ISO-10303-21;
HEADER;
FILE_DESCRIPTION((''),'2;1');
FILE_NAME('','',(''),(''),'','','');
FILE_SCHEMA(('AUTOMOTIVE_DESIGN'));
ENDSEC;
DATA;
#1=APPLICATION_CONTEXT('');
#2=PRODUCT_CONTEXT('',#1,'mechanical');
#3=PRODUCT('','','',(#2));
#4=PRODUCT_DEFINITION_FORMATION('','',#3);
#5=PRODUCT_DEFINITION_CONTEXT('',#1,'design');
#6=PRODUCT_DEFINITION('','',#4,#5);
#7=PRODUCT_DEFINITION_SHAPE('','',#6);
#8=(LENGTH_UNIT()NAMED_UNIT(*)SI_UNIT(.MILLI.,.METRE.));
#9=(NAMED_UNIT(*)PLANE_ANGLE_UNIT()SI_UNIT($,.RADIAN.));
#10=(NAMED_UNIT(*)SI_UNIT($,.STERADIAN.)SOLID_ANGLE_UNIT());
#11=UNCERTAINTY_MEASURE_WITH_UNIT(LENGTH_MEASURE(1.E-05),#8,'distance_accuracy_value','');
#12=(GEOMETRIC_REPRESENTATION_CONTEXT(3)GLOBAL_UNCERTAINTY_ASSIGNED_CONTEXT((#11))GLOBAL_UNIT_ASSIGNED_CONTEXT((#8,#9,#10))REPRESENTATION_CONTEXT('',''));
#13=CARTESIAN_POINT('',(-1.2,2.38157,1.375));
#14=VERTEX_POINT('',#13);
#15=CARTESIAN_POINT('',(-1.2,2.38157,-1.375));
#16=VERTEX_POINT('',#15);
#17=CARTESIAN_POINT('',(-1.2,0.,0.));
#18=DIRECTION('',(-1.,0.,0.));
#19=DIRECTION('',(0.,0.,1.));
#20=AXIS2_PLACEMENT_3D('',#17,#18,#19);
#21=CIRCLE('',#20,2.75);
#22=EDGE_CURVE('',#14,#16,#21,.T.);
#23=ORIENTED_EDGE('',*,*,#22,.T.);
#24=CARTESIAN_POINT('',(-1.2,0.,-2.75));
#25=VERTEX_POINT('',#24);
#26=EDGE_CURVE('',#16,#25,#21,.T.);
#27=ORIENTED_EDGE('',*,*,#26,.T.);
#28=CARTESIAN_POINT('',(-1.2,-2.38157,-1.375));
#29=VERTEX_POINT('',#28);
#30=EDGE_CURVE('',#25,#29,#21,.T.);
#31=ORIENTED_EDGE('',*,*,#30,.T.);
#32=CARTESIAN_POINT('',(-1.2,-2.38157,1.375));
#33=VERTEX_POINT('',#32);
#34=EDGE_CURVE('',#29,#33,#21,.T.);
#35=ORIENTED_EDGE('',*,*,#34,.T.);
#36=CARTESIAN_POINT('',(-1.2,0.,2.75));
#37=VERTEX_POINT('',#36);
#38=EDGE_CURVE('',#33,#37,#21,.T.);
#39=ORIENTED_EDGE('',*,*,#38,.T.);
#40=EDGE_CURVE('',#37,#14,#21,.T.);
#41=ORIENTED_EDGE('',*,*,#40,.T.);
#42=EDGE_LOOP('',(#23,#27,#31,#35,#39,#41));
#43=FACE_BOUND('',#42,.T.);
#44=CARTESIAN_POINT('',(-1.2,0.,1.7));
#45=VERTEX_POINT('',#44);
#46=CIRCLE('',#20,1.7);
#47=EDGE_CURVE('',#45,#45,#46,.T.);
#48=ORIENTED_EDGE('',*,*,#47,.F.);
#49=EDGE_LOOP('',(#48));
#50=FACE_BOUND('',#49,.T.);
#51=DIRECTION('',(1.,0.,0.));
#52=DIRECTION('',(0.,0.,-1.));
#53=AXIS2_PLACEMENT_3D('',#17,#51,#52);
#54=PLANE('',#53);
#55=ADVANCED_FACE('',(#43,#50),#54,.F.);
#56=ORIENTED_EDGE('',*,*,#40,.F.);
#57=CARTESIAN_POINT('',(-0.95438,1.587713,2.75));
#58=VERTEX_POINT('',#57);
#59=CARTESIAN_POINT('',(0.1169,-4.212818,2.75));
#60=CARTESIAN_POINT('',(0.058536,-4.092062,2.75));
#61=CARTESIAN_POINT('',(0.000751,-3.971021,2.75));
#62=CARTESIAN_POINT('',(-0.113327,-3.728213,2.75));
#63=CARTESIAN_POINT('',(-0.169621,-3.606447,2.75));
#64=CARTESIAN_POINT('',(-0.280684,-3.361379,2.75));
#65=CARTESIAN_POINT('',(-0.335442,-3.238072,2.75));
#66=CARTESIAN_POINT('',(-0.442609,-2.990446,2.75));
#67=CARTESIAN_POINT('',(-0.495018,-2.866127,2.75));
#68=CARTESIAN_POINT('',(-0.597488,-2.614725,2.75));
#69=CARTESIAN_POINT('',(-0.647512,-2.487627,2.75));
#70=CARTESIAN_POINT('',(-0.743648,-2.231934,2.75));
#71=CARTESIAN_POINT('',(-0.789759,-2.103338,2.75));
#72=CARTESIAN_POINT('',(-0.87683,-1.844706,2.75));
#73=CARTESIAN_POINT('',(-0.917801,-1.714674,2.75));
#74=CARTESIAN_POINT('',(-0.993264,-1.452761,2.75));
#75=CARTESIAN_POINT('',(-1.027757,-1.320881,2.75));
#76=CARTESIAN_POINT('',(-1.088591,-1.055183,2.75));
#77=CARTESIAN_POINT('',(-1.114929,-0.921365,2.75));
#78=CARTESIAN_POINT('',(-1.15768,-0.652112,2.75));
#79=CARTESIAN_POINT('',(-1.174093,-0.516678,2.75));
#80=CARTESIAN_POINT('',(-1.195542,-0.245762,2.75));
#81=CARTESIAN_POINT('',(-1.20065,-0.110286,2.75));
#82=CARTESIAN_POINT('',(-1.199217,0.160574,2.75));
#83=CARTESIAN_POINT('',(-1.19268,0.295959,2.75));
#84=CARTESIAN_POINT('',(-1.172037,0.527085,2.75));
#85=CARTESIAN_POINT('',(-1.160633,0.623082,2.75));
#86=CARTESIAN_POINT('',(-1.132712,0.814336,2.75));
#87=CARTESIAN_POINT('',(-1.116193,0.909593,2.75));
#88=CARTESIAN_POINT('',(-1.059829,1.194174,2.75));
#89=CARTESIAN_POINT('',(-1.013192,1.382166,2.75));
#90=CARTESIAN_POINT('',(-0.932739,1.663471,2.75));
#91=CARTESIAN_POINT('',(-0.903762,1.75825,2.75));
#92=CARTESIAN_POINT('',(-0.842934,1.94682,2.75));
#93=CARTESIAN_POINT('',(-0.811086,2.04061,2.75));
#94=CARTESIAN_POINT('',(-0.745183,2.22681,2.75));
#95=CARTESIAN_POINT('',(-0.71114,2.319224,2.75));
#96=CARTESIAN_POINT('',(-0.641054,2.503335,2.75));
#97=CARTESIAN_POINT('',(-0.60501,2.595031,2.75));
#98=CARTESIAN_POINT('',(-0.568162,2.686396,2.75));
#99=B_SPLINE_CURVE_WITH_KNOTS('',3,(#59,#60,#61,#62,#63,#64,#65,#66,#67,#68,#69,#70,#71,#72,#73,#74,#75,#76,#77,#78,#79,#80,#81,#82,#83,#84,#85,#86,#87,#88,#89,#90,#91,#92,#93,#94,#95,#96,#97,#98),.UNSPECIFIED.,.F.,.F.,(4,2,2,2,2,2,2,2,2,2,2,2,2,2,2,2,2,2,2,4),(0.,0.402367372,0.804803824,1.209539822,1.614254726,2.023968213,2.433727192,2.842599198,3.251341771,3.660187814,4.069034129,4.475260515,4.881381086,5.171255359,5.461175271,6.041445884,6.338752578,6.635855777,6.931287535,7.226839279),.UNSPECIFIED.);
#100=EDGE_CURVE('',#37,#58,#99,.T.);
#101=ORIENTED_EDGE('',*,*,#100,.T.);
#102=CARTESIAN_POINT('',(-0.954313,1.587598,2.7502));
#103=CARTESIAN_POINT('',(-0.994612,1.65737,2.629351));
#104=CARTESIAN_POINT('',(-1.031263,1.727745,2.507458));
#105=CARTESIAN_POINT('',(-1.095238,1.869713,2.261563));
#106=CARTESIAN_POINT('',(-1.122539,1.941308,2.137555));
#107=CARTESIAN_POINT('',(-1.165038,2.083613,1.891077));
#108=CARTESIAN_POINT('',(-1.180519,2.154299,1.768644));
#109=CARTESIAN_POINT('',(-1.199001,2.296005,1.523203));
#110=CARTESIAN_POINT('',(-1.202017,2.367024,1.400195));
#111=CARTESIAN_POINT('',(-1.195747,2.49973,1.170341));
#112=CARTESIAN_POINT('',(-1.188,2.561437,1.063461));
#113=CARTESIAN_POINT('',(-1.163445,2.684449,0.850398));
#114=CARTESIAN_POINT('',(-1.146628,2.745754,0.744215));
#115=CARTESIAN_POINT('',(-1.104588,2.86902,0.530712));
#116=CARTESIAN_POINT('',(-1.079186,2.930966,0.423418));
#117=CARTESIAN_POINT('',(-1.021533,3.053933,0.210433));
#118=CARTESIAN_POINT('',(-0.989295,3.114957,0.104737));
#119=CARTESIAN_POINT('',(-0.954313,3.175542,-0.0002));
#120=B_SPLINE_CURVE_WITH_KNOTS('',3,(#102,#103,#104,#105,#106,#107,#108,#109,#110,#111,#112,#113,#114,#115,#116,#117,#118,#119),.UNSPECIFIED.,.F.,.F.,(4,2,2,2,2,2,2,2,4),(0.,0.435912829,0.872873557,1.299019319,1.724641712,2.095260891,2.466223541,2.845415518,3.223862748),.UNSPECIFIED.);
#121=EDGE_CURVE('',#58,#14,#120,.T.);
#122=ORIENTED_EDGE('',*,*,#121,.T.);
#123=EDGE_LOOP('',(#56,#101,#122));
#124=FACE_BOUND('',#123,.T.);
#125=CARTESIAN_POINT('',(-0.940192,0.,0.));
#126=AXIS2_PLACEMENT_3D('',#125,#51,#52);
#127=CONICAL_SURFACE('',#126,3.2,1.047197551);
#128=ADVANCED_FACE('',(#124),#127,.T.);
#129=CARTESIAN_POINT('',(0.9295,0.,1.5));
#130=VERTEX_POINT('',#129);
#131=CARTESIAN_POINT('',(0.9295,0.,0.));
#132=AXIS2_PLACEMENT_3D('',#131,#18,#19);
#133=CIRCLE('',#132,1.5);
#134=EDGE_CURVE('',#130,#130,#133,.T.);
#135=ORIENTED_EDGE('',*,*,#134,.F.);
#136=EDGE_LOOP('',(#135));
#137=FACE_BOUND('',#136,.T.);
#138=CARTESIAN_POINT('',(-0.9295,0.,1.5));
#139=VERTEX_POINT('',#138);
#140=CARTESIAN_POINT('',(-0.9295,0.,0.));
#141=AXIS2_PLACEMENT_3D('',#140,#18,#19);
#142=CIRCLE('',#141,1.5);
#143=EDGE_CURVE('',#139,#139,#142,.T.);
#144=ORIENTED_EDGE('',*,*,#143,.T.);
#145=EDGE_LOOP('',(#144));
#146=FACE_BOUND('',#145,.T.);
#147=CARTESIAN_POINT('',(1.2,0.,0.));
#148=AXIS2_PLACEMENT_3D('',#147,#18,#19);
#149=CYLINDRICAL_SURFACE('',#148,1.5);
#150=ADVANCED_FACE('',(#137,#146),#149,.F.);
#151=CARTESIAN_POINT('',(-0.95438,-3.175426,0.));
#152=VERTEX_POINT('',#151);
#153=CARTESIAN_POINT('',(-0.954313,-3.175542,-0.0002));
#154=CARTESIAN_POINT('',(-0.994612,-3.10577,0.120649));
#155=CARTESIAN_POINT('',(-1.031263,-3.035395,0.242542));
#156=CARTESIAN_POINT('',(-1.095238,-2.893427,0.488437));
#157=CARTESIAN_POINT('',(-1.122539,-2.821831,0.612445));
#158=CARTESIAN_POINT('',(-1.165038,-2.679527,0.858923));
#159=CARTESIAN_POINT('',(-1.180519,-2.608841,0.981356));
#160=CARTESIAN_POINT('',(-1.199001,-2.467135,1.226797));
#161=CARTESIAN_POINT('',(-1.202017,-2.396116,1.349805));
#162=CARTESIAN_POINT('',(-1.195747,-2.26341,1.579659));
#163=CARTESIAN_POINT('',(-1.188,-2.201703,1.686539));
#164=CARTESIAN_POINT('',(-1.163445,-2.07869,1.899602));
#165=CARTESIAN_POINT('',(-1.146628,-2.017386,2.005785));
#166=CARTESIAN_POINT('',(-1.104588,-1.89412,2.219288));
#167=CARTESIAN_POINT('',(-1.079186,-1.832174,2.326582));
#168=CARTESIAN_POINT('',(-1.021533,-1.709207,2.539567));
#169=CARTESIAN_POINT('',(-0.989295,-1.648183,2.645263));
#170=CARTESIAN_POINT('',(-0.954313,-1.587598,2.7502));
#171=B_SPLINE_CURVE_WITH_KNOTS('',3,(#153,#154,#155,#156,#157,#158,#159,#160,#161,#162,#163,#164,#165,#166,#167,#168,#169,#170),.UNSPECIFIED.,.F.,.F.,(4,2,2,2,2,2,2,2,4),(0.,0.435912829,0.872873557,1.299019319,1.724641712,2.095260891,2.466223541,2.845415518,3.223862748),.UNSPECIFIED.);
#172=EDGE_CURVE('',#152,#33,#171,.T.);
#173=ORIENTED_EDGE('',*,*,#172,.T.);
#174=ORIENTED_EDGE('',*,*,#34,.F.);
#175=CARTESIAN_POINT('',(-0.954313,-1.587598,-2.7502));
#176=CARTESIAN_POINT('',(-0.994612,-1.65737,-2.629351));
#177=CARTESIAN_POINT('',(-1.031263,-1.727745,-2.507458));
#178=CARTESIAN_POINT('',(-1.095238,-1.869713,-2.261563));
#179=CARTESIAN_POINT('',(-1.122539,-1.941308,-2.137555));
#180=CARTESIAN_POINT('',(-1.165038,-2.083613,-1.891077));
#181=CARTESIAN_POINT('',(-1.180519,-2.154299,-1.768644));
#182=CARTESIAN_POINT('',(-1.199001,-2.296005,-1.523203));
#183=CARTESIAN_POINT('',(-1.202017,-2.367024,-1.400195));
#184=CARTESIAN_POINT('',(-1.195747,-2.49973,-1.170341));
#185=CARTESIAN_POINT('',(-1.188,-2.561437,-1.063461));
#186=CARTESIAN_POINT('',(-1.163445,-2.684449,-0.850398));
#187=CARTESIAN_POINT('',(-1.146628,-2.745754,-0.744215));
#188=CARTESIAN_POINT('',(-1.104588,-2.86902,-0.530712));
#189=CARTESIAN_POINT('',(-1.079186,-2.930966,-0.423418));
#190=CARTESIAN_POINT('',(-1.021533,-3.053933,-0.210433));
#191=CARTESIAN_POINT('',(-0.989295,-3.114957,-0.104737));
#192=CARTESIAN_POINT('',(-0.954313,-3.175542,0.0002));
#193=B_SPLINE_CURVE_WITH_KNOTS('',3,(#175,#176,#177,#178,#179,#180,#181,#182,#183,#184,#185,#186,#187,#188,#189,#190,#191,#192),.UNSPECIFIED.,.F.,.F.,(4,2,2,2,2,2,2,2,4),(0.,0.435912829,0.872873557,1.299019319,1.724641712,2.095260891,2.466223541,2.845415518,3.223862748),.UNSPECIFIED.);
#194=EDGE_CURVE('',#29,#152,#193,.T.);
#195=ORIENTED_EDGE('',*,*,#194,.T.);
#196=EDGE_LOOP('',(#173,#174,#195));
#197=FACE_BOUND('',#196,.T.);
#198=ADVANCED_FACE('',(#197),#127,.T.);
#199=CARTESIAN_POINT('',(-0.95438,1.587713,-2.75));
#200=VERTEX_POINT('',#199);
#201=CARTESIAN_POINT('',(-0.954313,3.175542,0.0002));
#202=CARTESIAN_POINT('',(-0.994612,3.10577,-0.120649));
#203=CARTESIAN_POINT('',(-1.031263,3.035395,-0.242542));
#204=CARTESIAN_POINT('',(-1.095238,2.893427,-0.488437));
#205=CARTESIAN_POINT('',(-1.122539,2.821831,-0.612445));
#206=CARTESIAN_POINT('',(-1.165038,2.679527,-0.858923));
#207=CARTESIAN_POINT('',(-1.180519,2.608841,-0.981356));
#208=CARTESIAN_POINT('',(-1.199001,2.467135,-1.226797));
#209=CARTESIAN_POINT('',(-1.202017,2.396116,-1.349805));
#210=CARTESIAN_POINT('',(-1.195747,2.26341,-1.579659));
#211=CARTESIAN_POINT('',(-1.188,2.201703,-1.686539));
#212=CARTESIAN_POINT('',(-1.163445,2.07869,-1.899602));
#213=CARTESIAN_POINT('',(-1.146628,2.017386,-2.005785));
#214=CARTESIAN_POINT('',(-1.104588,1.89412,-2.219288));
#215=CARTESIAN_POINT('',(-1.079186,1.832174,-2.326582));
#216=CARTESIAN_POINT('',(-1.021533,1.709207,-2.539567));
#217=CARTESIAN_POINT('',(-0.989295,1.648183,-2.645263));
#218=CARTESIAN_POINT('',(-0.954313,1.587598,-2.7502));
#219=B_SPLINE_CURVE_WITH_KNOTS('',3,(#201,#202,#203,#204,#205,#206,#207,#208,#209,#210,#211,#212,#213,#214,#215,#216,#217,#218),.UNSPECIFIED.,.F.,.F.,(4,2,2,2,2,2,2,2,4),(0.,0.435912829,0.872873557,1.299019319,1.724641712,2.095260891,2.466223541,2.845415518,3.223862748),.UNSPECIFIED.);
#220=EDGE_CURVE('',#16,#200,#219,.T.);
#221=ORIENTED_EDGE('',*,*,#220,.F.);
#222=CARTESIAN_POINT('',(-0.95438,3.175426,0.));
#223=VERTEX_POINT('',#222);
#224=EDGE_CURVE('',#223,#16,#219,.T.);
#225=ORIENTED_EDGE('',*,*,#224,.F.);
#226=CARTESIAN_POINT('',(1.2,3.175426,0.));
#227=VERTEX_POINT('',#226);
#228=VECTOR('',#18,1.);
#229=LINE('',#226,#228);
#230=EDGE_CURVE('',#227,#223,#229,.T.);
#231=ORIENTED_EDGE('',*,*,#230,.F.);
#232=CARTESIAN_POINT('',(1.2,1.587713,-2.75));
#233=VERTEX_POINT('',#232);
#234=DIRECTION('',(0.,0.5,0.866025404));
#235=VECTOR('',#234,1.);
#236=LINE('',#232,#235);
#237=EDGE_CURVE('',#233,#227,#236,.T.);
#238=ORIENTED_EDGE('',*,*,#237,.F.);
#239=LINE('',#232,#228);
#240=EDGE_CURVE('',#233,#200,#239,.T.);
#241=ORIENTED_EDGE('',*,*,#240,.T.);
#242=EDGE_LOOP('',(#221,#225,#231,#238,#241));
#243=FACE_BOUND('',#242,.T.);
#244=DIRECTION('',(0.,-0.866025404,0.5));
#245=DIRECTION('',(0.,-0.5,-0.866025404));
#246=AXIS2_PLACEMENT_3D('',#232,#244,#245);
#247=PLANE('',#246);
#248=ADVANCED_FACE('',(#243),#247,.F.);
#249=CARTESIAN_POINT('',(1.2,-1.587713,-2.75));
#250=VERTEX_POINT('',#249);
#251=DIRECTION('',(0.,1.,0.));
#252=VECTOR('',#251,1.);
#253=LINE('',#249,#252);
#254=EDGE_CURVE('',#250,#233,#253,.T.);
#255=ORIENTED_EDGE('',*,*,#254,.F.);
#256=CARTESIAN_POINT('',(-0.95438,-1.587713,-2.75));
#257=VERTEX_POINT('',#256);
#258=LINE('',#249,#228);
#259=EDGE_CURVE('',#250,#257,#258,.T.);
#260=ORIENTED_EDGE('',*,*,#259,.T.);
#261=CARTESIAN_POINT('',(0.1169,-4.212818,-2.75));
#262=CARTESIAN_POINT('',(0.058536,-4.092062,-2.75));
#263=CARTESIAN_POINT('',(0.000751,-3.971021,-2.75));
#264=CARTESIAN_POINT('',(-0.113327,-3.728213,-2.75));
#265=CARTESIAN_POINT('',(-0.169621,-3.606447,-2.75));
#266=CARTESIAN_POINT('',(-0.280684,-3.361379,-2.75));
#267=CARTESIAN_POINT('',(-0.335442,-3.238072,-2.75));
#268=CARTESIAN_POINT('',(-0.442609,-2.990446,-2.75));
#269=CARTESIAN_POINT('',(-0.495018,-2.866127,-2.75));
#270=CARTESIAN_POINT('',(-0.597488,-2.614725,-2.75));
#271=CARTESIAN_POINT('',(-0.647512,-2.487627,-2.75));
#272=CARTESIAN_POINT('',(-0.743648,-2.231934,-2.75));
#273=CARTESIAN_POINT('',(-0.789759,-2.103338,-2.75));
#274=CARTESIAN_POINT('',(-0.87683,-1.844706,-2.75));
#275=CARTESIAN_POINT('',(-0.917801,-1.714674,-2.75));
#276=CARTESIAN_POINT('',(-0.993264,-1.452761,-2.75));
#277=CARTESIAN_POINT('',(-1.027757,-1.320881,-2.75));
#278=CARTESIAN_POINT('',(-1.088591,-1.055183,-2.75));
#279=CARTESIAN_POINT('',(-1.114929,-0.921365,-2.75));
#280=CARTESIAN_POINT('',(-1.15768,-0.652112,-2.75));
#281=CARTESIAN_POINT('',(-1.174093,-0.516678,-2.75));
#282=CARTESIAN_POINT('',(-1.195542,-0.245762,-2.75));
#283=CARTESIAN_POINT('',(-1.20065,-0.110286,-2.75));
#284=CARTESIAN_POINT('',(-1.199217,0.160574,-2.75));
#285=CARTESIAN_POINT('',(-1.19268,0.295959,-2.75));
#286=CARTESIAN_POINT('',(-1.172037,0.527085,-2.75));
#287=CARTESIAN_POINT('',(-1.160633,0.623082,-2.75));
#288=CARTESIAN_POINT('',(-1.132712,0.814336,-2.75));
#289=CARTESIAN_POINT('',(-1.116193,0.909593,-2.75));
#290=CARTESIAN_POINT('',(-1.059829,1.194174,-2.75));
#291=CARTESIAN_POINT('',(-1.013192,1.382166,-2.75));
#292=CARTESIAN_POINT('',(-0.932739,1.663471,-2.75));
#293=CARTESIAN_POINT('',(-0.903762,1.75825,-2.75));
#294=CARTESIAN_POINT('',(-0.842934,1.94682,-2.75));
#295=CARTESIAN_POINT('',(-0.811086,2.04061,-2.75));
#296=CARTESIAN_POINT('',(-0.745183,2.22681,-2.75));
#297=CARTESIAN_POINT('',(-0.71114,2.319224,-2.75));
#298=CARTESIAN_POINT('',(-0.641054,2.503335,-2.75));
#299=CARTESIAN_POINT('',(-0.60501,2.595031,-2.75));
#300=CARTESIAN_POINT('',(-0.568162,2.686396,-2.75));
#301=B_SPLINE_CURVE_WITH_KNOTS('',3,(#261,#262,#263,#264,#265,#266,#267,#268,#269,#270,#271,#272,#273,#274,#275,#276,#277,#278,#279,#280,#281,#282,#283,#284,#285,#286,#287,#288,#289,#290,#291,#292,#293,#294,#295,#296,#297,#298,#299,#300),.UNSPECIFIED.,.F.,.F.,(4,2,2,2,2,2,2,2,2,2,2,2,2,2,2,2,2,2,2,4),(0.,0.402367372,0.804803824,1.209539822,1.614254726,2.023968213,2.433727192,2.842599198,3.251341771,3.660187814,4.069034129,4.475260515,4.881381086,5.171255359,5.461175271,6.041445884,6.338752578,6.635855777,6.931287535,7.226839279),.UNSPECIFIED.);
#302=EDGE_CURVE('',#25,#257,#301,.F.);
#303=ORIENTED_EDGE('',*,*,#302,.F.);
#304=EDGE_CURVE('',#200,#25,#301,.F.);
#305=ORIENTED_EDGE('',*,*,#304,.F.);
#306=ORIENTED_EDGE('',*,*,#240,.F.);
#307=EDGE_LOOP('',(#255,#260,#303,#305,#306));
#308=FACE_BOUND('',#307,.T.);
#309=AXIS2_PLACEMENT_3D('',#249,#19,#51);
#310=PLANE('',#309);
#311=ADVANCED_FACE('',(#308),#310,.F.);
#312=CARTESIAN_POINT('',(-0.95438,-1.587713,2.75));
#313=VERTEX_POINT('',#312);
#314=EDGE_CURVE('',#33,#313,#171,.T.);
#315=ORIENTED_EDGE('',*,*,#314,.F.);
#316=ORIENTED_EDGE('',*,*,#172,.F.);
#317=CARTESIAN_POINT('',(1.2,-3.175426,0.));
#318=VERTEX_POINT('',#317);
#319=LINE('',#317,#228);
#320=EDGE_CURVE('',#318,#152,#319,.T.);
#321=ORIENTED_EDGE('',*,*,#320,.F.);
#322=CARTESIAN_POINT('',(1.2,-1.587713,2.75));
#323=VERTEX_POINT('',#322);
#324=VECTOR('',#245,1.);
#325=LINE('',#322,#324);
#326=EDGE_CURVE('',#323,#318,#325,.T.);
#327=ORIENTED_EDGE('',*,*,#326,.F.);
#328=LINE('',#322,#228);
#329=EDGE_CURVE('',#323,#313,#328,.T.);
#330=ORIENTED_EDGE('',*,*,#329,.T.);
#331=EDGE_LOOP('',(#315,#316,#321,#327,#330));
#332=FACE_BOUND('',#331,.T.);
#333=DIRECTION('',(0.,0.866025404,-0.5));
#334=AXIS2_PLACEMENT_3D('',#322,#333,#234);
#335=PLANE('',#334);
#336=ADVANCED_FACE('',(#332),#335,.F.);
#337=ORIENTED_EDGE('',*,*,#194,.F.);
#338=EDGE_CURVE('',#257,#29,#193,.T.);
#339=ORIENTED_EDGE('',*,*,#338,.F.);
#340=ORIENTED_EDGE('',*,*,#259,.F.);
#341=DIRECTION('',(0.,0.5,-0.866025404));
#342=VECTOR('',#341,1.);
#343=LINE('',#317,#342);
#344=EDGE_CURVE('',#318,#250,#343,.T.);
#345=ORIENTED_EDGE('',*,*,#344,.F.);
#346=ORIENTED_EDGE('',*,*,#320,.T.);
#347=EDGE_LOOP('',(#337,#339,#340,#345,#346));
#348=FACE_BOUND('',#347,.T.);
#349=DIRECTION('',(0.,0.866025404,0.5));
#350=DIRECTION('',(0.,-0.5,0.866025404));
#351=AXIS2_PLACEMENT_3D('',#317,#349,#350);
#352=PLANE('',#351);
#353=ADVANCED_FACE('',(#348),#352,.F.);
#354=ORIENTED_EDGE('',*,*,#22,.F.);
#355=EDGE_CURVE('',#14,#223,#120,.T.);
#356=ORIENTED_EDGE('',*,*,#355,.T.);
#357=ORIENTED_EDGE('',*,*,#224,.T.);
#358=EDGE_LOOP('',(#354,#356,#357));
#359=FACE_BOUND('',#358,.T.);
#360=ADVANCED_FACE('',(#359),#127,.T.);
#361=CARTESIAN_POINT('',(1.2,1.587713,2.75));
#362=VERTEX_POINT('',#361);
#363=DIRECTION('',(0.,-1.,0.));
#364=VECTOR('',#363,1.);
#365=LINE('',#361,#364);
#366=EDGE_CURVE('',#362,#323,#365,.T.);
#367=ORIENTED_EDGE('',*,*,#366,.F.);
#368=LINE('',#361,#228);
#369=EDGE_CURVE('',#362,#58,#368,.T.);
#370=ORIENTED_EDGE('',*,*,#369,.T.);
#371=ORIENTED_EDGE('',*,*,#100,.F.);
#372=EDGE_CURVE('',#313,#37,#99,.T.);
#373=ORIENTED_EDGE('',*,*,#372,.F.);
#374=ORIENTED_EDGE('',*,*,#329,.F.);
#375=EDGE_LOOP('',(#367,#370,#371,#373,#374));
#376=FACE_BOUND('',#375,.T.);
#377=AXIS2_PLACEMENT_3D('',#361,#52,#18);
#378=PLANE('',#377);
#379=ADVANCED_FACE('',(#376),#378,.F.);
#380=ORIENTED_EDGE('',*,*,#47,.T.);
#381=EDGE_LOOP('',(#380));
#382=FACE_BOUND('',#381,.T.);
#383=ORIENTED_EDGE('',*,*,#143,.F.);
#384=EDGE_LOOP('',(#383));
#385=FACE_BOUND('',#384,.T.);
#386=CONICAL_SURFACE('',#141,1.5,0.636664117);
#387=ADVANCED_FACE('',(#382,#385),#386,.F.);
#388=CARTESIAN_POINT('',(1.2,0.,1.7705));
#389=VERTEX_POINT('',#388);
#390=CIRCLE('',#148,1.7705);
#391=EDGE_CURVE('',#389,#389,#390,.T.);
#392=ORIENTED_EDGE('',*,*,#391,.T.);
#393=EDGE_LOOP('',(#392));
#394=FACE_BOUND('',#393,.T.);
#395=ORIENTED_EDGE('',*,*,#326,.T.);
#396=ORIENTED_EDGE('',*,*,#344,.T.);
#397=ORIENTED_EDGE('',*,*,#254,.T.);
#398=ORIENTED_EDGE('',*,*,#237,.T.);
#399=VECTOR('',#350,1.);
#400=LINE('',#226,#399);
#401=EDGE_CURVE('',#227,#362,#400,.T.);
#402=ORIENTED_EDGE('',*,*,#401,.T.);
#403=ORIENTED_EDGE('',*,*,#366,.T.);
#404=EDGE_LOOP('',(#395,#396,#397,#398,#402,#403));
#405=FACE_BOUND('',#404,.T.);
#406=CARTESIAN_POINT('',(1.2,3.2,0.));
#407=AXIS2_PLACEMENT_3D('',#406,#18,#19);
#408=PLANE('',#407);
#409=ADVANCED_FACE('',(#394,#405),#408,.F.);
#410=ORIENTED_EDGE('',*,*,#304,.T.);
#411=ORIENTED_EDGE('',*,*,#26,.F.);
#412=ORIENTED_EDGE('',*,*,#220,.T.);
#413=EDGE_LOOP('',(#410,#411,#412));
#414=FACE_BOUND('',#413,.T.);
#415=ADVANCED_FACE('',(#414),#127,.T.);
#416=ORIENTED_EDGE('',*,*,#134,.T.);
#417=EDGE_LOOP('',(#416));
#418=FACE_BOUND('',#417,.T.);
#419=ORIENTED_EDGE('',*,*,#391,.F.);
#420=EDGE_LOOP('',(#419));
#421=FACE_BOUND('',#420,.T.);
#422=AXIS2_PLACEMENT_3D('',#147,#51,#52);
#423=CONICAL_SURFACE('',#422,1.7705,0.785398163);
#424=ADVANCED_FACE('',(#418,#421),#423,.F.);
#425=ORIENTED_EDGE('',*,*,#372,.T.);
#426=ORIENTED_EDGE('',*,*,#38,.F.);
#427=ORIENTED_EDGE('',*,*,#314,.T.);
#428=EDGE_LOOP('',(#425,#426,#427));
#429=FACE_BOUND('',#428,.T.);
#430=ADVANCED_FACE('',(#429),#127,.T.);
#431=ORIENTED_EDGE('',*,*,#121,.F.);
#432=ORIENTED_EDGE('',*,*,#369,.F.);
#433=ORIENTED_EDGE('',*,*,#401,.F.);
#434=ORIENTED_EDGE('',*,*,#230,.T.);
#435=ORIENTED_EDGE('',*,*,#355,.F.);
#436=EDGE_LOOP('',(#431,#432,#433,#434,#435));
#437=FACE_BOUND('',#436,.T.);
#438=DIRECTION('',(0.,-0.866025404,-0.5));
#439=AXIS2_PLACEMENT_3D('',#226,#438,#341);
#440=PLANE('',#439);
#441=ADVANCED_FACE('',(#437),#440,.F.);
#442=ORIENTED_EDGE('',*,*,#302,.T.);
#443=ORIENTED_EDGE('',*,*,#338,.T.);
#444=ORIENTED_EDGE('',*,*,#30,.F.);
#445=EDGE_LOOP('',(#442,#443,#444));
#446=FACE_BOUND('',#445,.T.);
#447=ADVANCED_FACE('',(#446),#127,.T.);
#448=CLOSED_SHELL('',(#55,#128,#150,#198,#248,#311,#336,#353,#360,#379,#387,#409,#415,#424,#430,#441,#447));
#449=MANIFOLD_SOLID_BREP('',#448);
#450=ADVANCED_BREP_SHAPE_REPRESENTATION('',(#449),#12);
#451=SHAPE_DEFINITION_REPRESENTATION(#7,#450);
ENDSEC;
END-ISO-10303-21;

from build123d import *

# Parameters (mm, degrees)
CUT_EXTRUDE1_DEPTH      = 1.2
CUT_EXTRUDE1_DEPTH_BACK = 1.2
SKETCH3_W               = 11
SKETCH3_H               = 11


with BuildPart() as part:
    # Sketch1 → Revolve1 (revolve)
    with BuildSketch(Plane.XY):
        Polygon((-1.2, 0), (-1.2, 2.75), (-0.940192379, 3.2), (1.2, 3.2), (1.2, 0), align=None)
    revolve(axis=Axis((1.2, 0, 0), (-1, 0, 0)))

    # Sketch2 → Cut-Revolve1 (revolve, cut)
    with BuildSketch(Plane.XY):
        Polygon((-1.2, 0), (-1.2, 1.7), (-0.9295, 1.5), (0.9295, 1.5), (1.2, 1.7705), (1.2, 0), align=None)
    revolve(axis=Axis((1.2, 0, 0), (-1, 0, 0)), mode=Mode.SUBTRACT)

    # Sketch3 → Cut-Extrude1 (cut, two sides: drawn at the far end of the back side and taken through both)
    with BuildSketch(Plane(origin=(0, 0, 0), x_dir=(0, 0, -1), z_dir=(1, 0, 0)).offset(-CUT_EXTRUDE1_DEPTH_BACK)):
        Rectangle(SKETCH3_W, SKETCH3_H)
        Polygon((-2.75, -1.58771324), (0, -3.175426481), (2.75, -1.58771324), (2.75, 1.58771324), (0, 3.175426481), (-2.75, 1.58771324), align=None, mode=Mode.SUBTRACT)
    extrude(amount=CUT_EXTRUDE1_DEPTH + CUT_EXTRUDE1_DEPTH_BACK, mode=Mode.SUBTRACT)


solid = part.part
